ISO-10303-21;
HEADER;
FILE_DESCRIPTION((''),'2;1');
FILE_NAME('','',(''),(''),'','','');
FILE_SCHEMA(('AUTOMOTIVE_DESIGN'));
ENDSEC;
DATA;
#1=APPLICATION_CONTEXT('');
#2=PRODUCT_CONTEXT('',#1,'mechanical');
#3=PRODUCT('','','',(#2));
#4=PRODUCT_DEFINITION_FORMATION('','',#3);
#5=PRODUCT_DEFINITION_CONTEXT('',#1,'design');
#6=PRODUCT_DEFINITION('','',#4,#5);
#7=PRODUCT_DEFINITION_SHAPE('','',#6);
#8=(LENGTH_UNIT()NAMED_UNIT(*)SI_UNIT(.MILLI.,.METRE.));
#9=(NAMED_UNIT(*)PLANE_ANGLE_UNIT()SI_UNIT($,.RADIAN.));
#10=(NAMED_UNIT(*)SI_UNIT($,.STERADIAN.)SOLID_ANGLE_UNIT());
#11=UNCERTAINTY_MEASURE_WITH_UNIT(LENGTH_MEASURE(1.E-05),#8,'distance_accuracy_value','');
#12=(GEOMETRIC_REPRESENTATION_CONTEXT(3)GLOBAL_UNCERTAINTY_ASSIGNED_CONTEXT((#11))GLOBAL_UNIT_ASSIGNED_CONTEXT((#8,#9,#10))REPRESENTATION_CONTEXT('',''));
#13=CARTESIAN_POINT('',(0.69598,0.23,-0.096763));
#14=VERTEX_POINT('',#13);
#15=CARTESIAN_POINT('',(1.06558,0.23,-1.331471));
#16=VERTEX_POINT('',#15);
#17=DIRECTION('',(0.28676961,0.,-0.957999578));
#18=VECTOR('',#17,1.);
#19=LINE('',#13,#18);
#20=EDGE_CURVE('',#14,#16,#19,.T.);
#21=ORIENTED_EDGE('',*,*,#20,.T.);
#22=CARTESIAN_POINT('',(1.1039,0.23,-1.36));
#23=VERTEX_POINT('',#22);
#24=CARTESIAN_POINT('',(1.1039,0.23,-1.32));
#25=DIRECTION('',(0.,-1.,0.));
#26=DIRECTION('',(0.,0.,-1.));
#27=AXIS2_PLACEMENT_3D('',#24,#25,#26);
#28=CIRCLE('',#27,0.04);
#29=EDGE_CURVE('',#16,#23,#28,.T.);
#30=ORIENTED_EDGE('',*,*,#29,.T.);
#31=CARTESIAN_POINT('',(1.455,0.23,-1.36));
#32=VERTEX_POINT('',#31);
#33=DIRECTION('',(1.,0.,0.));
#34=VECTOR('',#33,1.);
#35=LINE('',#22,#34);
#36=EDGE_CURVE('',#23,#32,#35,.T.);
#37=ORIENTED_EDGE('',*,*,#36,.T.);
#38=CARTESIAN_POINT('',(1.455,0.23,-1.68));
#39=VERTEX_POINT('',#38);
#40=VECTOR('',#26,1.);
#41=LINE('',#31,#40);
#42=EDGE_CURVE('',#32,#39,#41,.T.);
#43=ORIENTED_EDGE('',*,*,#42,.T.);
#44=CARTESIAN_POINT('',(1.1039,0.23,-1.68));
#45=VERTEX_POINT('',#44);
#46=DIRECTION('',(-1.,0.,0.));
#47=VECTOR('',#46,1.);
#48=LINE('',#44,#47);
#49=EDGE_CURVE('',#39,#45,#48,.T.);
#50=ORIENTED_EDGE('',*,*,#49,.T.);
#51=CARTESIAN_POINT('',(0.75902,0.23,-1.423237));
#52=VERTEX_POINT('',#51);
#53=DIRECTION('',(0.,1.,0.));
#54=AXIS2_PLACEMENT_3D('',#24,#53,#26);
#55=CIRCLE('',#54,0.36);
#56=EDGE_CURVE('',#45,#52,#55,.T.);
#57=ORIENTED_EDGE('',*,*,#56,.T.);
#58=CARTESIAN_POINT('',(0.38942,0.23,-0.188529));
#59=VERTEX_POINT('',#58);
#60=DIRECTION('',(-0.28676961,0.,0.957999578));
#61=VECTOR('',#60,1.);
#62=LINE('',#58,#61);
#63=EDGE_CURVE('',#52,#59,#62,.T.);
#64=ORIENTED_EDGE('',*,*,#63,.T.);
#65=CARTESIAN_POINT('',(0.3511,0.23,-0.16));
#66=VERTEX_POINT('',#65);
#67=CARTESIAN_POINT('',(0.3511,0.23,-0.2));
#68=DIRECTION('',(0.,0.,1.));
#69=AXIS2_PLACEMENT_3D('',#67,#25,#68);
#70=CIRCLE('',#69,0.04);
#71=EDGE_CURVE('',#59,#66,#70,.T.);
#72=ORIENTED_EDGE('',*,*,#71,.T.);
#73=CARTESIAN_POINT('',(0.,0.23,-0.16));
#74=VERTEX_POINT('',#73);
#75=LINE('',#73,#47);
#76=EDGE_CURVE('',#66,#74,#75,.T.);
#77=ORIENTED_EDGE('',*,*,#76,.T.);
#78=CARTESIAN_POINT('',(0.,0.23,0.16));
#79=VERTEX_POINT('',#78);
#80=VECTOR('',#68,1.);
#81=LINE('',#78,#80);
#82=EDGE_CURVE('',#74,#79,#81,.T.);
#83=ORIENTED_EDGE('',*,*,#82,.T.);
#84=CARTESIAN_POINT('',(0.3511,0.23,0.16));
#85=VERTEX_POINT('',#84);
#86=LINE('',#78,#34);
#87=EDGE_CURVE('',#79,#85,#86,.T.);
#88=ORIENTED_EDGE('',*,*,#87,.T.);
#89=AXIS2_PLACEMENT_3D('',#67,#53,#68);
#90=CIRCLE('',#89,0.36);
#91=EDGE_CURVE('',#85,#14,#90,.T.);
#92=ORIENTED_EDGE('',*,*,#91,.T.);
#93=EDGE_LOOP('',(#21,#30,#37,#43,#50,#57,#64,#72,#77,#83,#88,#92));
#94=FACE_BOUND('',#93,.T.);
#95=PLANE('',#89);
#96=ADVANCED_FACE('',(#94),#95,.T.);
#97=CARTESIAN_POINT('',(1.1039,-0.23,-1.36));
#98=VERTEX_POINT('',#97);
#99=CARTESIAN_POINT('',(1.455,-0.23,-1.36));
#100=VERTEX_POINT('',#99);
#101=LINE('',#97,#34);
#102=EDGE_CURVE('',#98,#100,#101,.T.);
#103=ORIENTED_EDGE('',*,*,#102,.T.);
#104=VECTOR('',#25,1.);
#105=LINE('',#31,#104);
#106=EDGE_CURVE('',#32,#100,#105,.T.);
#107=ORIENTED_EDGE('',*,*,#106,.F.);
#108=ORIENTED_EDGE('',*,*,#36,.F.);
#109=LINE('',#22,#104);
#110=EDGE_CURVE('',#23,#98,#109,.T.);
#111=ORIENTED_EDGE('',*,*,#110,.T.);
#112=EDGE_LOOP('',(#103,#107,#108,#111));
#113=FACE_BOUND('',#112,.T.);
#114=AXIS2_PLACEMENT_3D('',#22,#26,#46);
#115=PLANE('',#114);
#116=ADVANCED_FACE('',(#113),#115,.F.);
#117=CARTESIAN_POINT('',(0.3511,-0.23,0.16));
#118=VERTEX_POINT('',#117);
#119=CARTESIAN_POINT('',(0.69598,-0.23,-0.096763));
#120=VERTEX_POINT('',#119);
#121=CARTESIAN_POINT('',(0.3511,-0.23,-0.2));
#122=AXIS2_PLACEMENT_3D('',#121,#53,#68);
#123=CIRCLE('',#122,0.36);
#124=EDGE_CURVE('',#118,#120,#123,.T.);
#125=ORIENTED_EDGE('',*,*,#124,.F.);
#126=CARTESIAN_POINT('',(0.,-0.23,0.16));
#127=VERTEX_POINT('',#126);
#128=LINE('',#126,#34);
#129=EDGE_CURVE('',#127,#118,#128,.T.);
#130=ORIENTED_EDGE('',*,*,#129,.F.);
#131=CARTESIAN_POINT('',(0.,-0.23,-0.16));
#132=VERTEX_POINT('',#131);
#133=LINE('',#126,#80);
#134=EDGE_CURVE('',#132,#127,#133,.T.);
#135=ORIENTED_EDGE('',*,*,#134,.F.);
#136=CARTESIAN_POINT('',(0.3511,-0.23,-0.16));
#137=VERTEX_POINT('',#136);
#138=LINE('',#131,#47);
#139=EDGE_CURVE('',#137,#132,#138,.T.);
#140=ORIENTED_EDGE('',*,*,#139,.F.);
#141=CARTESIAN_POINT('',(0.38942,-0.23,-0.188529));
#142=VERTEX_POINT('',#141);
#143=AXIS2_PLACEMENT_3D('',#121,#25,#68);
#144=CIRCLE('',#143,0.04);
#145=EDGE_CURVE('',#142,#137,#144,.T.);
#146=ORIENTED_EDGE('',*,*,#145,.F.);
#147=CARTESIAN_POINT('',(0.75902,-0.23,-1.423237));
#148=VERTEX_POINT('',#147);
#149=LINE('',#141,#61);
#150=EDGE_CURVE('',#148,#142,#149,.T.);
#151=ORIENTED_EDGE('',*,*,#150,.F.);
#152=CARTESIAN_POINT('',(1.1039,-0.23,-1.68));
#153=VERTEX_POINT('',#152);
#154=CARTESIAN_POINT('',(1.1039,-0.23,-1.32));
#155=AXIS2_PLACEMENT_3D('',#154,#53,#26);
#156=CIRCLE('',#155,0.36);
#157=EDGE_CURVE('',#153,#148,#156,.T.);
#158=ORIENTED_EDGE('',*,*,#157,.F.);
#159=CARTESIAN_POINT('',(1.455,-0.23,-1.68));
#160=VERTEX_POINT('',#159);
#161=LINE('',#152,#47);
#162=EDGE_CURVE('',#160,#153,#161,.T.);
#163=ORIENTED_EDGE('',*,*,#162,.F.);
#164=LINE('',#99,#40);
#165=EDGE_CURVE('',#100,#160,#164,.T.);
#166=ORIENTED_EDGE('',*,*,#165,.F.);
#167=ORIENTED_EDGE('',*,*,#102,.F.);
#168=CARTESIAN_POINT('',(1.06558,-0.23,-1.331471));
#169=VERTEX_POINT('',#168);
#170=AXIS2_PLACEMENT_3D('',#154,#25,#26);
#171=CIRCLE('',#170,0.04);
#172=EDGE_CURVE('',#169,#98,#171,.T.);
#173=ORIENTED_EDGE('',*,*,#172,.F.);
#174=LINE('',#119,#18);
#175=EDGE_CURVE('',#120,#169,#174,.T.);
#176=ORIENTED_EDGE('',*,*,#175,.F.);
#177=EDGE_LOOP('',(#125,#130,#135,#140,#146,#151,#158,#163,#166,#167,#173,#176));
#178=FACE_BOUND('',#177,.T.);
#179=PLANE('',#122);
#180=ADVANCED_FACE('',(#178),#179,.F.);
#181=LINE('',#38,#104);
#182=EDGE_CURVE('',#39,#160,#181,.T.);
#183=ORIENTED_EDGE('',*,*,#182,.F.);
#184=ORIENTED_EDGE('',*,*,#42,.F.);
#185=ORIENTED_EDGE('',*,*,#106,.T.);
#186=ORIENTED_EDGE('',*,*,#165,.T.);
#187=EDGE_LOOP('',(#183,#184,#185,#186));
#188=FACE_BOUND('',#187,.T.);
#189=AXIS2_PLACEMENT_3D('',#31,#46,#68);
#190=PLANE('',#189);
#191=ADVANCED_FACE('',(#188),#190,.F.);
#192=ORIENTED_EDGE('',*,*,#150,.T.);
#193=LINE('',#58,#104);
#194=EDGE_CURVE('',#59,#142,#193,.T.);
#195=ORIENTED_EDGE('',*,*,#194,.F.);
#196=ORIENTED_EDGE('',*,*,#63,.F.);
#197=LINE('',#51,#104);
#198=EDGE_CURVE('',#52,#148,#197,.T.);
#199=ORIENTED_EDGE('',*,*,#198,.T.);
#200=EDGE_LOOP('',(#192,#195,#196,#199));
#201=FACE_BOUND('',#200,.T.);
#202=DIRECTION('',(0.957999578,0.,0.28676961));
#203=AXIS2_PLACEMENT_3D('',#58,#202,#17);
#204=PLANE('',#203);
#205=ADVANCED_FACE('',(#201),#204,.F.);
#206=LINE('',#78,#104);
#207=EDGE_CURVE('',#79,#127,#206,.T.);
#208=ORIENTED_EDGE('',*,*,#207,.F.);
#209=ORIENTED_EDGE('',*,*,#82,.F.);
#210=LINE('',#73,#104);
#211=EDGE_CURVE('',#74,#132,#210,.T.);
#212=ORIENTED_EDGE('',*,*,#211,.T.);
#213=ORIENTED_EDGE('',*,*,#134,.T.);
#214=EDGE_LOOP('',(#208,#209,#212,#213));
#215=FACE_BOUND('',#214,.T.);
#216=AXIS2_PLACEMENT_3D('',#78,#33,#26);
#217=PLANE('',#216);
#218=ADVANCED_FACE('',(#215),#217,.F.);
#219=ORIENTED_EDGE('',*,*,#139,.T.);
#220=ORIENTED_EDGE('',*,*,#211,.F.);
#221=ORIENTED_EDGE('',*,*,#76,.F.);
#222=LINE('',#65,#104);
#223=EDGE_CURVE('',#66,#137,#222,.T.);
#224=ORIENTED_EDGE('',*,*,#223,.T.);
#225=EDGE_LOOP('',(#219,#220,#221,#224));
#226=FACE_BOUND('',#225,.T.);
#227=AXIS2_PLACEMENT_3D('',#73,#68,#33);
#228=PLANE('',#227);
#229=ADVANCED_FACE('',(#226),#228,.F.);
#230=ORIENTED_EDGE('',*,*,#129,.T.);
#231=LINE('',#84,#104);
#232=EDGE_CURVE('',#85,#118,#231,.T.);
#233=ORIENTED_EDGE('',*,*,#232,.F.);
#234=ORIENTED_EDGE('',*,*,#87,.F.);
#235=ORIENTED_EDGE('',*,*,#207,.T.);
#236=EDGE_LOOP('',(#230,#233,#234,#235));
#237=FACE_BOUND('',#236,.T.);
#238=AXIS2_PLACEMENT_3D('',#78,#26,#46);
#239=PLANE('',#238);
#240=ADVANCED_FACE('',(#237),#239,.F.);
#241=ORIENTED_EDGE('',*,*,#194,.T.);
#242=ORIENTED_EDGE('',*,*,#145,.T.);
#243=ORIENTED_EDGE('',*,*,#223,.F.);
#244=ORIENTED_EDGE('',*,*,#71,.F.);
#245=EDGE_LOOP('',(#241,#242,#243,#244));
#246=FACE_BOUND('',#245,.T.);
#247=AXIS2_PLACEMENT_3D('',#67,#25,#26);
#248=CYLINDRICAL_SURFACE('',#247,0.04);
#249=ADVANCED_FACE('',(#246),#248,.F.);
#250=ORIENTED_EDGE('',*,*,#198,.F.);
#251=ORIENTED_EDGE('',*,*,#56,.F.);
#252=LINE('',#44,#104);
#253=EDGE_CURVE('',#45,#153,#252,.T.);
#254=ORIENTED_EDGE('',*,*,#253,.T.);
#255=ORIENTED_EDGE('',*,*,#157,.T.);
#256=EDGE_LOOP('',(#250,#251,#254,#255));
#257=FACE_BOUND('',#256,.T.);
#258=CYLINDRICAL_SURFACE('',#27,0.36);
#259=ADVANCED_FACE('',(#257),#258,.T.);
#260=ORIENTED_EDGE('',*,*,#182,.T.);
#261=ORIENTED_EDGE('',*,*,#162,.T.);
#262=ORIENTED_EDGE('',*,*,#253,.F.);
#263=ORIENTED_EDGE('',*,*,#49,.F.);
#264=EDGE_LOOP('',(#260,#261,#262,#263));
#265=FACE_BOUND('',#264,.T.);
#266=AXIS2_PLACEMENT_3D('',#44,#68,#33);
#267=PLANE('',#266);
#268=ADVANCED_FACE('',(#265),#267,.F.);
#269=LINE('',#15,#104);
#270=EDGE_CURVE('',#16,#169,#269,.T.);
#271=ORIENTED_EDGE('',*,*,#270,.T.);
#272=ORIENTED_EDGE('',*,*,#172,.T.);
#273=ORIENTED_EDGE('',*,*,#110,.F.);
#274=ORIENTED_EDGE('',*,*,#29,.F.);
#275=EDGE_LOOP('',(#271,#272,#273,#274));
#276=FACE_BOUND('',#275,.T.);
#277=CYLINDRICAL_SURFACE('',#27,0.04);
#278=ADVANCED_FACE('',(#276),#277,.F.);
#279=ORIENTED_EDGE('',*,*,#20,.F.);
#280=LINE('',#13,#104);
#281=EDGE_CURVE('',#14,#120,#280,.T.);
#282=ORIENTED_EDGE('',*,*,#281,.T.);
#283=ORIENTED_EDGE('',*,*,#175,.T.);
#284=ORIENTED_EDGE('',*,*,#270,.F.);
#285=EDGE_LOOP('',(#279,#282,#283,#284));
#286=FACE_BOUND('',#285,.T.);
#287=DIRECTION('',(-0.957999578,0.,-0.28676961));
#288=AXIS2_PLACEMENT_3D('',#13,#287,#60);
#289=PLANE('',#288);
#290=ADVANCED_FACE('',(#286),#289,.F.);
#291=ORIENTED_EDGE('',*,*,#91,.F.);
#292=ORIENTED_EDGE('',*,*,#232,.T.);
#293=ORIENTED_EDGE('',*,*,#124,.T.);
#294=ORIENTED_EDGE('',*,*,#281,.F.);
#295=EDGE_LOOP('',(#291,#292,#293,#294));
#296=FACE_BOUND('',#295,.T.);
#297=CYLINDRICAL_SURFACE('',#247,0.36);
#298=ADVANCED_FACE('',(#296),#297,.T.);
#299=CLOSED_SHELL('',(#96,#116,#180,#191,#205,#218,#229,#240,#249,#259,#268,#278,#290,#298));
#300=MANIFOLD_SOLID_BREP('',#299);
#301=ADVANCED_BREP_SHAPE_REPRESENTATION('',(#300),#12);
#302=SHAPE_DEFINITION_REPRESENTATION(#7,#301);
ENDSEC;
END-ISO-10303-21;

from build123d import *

# Parameters (mm, degrees)
BOSS_EXTRUDE1_DEPTH = 0.23


with BuildPart() as part:
    # Sketch1 → Boss-Extrude1 (new body, symmetric)
    with BuildSketch(Plane(origin=(0, 0, 0), x_dir=(1, 0, 0), z_dir=(0, 1, 0))):
        with BuildLine():
            Line((0, -0.16), (0.351100062, -0.16))
            ThreePointArc((0.351100062, -0.16), (0.566082222, -0.088760577), (0.69597991, 0.09676294))
            Line((0.69597991, 0.09676294), (1.065579955, 1.331470784))
            ThreePointArc((1.065579955, 1.331470784), (1.080013032, 1.352084509), (1.103899938, 1.36))
            Line((1.103899938, 1.36), (1.455, 1.36))
            Line((1.455, 1.36), (1.455, 1.68))
            Line((1.455, 1.68), (1.103899938, 1.68))
            ThreePointArc((1.103899938, 1.68), (0.888917778, 1.608760577), (0.75902009, 1.42323706))
            Line((0.75902009, 1.42323706), (0.389420045, 0.188529216))
            ThreePointArc((0.389420045, 0.188529216), (0.374986968, 0.167915491), (0.351100062, 0.16))
            Line((0.351100062, 0.16), (0, 0.16))
            Line((0, 0.16), (0, -0.16))
        make_face()
    extrude(amount=BOSS_EXTRUDE1_DEPTH, both=True)


solid = part.part
